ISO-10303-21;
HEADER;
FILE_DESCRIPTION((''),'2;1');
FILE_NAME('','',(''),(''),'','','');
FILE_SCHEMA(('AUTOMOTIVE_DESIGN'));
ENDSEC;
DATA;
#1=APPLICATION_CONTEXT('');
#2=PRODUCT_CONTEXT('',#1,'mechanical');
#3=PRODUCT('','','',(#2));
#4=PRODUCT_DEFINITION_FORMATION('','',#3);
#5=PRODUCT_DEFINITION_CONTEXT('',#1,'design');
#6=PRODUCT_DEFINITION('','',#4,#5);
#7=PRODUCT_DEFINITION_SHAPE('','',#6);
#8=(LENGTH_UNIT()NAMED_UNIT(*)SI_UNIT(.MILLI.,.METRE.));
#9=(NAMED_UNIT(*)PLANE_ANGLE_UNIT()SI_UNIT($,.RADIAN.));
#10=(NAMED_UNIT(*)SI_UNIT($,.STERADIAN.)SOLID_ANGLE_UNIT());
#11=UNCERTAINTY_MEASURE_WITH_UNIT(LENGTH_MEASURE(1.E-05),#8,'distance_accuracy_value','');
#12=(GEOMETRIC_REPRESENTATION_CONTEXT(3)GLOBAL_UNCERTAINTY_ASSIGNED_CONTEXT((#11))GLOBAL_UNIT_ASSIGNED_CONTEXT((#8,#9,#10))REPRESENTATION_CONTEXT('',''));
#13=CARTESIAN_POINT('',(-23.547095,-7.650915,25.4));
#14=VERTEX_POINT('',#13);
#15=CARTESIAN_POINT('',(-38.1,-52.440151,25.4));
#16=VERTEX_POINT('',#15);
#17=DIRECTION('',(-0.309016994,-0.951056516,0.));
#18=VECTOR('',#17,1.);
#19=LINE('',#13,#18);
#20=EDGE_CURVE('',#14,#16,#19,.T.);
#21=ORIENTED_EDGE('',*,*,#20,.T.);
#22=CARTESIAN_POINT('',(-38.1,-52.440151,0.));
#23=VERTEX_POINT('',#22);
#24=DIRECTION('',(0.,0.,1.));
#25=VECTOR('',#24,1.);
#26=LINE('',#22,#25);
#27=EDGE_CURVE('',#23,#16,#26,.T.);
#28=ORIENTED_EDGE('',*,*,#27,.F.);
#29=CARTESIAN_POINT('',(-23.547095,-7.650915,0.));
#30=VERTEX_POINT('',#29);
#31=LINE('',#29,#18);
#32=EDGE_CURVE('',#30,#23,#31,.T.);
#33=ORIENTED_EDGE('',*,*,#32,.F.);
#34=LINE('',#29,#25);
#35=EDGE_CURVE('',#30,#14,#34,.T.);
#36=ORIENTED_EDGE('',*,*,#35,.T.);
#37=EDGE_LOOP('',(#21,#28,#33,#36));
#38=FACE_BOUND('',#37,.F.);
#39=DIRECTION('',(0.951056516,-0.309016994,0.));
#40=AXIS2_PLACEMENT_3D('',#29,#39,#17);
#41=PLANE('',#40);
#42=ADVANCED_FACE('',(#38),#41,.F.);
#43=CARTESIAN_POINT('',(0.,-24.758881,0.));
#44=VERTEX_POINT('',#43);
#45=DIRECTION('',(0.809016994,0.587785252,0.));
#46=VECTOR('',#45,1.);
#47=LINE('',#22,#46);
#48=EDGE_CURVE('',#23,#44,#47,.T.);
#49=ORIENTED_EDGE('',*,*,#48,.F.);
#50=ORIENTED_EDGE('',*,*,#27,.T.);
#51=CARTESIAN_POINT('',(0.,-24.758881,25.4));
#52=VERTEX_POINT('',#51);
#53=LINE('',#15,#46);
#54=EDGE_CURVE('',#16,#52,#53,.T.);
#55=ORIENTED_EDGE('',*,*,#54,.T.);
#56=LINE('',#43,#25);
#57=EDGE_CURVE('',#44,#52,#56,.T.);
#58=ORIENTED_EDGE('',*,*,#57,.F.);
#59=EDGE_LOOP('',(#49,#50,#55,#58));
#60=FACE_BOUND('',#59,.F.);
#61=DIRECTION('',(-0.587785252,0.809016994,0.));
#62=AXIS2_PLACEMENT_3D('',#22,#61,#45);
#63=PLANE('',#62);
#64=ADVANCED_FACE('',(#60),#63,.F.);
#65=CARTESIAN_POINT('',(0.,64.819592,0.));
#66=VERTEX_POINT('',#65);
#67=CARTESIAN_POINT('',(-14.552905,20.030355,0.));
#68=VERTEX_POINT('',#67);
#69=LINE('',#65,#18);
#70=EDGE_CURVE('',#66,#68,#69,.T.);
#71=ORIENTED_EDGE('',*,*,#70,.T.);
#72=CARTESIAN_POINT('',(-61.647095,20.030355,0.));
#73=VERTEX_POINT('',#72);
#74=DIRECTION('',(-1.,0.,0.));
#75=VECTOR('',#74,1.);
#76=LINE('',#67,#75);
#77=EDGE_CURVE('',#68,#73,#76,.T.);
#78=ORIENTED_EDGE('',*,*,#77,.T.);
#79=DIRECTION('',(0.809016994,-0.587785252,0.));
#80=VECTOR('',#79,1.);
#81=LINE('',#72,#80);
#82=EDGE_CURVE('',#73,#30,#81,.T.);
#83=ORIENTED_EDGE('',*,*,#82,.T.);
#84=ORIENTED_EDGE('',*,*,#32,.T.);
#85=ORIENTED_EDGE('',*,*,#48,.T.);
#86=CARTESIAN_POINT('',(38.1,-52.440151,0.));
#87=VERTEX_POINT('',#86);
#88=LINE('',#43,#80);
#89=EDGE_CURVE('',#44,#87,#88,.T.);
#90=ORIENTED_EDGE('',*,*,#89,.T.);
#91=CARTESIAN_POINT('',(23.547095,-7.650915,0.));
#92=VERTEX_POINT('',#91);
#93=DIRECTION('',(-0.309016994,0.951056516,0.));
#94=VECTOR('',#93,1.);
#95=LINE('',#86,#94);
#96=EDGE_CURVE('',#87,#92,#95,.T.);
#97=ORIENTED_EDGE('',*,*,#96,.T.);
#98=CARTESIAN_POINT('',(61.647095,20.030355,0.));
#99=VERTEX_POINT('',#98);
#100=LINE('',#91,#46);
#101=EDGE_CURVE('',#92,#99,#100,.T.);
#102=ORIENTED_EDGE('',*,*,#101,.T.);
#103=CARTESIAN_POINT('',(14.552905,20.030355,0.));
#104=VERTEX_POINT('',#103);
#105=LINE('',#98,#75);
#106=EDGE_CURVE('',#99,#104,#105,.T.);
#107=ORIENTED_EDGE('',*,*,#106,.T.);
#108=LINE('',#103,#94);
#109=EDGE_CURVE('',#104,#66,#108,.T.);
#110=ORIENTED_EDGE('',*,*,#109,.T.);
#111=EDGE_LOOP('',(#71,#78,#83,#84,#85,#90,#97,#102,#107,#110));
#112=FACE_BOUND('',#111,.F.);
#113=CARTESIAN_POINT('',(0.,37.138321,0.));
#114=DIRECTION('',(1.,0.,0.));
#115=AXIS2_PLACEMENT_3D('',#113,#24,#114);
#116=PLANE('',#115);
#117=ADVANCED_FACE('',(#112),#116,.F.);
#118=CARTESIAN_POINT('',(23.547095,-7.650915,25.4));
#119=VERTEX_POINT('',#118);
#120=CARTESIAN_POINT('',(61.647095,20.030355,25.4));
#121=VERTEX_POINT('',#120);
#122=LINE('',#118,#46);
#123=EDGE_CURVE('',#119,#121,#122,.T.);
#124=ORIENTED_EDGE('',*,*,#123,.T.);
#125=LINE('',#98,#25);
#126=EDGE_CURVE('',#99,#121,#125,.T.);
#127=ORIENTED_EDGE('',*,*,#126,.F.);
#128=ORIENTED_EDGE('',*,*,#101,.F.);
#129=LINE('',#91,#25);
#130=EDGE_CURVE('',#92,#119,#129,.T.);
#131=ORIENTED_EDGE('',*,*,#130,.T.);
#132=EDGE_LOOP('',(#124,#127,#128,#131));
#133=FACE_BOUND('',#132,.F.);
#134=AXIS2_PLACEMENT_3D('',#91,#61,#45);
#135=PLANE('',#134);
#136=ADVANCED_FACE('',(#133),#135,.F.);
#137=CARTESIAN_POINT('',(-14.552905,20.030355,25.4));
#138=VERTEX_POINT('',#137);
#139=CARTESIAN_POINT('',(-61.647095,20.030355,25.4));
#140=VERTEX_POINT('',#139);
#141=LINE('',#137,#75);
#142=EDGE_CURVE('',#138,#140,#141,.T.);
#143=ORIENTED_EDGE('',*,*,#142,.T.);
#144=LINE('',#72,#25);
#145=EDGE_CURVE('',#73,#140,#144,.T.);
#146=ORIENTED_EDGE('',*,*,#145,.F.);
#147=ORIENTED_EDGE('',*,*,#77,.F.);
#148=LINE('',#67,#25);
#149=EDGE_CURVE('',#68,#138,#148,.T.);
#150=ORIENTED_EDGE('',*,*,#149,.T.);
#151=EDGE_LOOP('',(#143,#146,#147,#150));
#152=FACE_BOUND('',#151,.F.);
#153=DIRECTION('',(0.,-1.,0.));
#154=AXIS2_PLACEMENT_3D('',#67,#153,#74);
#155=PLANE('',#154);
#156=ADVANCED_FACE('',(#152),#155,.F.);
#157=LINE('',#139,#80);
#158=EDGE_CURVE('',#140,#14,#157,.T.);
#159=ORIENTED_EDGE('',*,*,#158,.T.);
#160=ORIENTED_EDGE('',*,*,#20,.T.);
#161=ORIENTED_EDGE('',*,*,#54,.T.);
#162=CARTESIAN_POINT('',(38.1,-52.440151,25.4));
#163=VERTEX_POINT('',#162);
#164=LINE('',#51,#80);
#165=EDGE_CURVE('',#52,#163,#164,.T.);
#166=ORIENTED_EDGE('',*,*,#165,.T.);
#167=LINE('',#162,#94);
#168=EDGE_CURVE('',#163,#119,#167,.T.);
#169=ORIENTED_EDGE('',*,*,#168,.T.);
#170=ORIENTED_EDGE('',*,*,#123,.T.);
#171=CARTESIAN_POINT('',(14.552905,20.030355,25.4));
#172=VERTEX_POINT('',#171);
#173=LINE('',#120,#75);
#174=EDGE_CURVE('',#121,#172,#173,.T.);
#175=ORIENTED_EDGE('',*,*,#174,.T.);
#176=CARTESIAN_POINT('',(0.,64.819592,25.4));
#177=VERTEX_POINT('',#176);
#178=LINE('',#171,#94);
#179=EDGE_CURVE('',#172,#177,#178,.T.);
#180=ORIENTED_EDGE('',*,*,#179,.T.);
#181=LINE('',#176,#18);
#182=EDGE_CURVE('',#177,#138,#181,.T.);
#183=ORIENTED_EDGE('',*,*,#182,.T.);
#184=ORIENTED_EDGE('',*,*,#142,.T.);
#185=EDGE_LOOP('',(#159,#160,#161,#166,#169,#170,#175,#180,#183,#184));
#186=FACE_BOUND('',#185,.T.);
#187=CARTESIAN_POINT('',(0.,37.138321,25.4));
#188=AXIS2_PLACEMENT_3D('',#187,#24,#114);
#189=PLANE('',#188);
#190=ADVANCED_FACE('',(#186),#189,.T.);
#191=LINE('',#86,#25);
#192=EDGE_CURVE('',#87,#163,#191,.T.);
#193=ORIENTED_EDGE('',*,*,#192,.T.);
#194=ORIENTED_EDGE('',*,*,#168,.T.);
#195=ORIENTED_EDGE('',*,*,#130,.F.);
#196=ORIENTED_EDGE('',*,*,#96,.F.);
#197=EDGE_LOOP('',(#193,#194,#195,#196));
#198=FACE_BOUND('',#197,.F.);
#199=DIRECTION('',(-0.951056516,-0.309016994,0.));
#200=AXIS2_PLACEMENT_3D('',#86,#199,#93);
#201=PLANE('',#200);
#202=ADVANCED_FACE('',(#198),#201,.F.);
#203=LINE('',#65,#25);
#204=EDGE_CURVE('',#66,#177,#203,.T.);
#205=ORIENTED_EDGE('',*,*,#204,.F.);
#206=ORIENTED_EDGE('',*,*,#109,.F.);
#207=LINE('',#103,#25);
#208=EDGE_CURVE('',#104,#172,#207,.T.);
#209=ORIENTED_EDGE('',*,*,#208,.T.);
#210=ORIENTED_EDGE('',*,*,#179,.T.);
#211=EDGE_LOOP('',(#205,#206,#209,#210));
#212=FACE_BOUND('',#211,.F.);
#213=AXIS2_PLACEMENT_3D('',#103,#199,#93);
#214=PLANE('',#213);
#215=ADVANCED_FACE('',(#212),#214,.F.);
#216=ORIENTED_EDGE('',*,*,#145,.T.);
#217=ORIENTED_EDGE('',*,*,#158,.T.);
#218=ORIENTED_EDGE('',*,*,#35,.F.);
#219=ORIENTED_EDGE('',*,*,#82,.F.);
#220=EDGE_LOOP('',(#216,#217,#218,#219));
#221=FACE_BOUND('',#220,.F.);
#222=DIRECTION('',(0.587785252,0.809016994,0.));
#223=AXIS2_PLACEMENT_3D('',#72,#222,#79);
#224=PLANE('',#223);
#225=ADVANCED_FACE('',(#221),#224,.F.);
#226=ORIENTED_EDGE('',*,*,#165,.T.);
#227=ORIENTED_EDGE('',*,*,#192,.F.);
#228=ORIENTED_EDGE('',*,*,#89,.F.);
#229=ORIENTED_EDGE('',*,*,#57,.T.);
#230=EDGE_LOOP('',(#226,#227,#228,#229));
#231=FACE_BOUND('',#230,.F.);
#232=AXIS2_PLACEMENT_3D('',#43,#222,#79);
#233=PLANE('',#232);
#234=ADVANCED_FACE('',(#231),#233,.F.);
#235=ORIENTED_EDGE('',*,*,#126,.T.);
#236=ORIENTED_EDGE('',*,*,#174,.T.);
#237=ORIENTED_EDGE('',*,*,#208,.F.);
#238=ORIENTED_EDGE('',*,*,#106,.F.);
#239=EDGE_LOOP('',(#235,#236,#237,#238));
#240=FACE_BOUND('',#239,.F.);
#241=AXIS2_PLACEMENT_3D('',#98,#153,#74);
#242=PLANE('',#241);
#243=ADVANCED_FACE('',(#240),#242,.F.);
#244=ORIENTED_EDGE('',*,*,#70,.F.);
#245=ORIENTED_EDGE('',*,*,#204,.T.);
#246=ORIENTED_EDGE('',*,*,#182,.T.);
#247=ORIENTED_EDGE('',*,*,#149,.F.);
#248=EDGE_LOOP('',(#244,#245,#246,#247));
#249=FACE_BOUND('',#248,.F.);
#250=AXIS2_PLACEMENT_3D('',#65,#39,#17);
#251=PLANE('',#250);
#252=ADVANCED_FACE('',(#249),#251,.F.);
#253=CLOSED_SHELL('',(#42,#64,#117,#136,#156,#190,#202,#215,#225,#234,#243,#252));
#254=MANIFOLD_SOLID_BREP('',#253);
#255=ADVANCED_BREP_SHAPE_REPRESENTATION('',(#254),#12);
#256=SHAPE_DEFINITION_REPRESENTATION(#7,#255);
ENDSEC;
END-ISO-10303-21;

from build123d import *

# Parameters (mm, degrees)
F1_DEPTH = 25.4


with BuildPart() as f1:
    # F0 (on Top) → F1 (new body)
    with BuildSketch(Plane.XY):
        Polygon((14.5529050286, 20.0303553717), (0, 64.8195915964), (-14.5529050286, 20.0303553717), align=None)
        Polygon((-14.5529050286, 20.0303553717), (-61.6470949714, 20.0303553717), (-23.5470949714, -7.6509149453), align=None)
        Polygon((-23.5470949714, -7.6509149453), (-38.1, -52.44015117), (0, -24.7588808529), align=None)
        Polygon((23.5470949714, -7.6509149453), (61.6470949714, 20.0303553717), (14.5529050286, 20.0303553717), align=None)
        Polygon((0, -24.7588808529), (38.1, -52.44015117), (23.5470949714, -7.6509149453), align=None)
        Polygon((14.5529050286, 20.0303553717), (-14.5529050286, 20.0303553717), (-23.5470949714, -7.6509149453), (0, -24.7588808529), (23.5470949714, -7.6509149453), align=None)
    extrude(amount=F1_DEPTH)


solid = f1.part
